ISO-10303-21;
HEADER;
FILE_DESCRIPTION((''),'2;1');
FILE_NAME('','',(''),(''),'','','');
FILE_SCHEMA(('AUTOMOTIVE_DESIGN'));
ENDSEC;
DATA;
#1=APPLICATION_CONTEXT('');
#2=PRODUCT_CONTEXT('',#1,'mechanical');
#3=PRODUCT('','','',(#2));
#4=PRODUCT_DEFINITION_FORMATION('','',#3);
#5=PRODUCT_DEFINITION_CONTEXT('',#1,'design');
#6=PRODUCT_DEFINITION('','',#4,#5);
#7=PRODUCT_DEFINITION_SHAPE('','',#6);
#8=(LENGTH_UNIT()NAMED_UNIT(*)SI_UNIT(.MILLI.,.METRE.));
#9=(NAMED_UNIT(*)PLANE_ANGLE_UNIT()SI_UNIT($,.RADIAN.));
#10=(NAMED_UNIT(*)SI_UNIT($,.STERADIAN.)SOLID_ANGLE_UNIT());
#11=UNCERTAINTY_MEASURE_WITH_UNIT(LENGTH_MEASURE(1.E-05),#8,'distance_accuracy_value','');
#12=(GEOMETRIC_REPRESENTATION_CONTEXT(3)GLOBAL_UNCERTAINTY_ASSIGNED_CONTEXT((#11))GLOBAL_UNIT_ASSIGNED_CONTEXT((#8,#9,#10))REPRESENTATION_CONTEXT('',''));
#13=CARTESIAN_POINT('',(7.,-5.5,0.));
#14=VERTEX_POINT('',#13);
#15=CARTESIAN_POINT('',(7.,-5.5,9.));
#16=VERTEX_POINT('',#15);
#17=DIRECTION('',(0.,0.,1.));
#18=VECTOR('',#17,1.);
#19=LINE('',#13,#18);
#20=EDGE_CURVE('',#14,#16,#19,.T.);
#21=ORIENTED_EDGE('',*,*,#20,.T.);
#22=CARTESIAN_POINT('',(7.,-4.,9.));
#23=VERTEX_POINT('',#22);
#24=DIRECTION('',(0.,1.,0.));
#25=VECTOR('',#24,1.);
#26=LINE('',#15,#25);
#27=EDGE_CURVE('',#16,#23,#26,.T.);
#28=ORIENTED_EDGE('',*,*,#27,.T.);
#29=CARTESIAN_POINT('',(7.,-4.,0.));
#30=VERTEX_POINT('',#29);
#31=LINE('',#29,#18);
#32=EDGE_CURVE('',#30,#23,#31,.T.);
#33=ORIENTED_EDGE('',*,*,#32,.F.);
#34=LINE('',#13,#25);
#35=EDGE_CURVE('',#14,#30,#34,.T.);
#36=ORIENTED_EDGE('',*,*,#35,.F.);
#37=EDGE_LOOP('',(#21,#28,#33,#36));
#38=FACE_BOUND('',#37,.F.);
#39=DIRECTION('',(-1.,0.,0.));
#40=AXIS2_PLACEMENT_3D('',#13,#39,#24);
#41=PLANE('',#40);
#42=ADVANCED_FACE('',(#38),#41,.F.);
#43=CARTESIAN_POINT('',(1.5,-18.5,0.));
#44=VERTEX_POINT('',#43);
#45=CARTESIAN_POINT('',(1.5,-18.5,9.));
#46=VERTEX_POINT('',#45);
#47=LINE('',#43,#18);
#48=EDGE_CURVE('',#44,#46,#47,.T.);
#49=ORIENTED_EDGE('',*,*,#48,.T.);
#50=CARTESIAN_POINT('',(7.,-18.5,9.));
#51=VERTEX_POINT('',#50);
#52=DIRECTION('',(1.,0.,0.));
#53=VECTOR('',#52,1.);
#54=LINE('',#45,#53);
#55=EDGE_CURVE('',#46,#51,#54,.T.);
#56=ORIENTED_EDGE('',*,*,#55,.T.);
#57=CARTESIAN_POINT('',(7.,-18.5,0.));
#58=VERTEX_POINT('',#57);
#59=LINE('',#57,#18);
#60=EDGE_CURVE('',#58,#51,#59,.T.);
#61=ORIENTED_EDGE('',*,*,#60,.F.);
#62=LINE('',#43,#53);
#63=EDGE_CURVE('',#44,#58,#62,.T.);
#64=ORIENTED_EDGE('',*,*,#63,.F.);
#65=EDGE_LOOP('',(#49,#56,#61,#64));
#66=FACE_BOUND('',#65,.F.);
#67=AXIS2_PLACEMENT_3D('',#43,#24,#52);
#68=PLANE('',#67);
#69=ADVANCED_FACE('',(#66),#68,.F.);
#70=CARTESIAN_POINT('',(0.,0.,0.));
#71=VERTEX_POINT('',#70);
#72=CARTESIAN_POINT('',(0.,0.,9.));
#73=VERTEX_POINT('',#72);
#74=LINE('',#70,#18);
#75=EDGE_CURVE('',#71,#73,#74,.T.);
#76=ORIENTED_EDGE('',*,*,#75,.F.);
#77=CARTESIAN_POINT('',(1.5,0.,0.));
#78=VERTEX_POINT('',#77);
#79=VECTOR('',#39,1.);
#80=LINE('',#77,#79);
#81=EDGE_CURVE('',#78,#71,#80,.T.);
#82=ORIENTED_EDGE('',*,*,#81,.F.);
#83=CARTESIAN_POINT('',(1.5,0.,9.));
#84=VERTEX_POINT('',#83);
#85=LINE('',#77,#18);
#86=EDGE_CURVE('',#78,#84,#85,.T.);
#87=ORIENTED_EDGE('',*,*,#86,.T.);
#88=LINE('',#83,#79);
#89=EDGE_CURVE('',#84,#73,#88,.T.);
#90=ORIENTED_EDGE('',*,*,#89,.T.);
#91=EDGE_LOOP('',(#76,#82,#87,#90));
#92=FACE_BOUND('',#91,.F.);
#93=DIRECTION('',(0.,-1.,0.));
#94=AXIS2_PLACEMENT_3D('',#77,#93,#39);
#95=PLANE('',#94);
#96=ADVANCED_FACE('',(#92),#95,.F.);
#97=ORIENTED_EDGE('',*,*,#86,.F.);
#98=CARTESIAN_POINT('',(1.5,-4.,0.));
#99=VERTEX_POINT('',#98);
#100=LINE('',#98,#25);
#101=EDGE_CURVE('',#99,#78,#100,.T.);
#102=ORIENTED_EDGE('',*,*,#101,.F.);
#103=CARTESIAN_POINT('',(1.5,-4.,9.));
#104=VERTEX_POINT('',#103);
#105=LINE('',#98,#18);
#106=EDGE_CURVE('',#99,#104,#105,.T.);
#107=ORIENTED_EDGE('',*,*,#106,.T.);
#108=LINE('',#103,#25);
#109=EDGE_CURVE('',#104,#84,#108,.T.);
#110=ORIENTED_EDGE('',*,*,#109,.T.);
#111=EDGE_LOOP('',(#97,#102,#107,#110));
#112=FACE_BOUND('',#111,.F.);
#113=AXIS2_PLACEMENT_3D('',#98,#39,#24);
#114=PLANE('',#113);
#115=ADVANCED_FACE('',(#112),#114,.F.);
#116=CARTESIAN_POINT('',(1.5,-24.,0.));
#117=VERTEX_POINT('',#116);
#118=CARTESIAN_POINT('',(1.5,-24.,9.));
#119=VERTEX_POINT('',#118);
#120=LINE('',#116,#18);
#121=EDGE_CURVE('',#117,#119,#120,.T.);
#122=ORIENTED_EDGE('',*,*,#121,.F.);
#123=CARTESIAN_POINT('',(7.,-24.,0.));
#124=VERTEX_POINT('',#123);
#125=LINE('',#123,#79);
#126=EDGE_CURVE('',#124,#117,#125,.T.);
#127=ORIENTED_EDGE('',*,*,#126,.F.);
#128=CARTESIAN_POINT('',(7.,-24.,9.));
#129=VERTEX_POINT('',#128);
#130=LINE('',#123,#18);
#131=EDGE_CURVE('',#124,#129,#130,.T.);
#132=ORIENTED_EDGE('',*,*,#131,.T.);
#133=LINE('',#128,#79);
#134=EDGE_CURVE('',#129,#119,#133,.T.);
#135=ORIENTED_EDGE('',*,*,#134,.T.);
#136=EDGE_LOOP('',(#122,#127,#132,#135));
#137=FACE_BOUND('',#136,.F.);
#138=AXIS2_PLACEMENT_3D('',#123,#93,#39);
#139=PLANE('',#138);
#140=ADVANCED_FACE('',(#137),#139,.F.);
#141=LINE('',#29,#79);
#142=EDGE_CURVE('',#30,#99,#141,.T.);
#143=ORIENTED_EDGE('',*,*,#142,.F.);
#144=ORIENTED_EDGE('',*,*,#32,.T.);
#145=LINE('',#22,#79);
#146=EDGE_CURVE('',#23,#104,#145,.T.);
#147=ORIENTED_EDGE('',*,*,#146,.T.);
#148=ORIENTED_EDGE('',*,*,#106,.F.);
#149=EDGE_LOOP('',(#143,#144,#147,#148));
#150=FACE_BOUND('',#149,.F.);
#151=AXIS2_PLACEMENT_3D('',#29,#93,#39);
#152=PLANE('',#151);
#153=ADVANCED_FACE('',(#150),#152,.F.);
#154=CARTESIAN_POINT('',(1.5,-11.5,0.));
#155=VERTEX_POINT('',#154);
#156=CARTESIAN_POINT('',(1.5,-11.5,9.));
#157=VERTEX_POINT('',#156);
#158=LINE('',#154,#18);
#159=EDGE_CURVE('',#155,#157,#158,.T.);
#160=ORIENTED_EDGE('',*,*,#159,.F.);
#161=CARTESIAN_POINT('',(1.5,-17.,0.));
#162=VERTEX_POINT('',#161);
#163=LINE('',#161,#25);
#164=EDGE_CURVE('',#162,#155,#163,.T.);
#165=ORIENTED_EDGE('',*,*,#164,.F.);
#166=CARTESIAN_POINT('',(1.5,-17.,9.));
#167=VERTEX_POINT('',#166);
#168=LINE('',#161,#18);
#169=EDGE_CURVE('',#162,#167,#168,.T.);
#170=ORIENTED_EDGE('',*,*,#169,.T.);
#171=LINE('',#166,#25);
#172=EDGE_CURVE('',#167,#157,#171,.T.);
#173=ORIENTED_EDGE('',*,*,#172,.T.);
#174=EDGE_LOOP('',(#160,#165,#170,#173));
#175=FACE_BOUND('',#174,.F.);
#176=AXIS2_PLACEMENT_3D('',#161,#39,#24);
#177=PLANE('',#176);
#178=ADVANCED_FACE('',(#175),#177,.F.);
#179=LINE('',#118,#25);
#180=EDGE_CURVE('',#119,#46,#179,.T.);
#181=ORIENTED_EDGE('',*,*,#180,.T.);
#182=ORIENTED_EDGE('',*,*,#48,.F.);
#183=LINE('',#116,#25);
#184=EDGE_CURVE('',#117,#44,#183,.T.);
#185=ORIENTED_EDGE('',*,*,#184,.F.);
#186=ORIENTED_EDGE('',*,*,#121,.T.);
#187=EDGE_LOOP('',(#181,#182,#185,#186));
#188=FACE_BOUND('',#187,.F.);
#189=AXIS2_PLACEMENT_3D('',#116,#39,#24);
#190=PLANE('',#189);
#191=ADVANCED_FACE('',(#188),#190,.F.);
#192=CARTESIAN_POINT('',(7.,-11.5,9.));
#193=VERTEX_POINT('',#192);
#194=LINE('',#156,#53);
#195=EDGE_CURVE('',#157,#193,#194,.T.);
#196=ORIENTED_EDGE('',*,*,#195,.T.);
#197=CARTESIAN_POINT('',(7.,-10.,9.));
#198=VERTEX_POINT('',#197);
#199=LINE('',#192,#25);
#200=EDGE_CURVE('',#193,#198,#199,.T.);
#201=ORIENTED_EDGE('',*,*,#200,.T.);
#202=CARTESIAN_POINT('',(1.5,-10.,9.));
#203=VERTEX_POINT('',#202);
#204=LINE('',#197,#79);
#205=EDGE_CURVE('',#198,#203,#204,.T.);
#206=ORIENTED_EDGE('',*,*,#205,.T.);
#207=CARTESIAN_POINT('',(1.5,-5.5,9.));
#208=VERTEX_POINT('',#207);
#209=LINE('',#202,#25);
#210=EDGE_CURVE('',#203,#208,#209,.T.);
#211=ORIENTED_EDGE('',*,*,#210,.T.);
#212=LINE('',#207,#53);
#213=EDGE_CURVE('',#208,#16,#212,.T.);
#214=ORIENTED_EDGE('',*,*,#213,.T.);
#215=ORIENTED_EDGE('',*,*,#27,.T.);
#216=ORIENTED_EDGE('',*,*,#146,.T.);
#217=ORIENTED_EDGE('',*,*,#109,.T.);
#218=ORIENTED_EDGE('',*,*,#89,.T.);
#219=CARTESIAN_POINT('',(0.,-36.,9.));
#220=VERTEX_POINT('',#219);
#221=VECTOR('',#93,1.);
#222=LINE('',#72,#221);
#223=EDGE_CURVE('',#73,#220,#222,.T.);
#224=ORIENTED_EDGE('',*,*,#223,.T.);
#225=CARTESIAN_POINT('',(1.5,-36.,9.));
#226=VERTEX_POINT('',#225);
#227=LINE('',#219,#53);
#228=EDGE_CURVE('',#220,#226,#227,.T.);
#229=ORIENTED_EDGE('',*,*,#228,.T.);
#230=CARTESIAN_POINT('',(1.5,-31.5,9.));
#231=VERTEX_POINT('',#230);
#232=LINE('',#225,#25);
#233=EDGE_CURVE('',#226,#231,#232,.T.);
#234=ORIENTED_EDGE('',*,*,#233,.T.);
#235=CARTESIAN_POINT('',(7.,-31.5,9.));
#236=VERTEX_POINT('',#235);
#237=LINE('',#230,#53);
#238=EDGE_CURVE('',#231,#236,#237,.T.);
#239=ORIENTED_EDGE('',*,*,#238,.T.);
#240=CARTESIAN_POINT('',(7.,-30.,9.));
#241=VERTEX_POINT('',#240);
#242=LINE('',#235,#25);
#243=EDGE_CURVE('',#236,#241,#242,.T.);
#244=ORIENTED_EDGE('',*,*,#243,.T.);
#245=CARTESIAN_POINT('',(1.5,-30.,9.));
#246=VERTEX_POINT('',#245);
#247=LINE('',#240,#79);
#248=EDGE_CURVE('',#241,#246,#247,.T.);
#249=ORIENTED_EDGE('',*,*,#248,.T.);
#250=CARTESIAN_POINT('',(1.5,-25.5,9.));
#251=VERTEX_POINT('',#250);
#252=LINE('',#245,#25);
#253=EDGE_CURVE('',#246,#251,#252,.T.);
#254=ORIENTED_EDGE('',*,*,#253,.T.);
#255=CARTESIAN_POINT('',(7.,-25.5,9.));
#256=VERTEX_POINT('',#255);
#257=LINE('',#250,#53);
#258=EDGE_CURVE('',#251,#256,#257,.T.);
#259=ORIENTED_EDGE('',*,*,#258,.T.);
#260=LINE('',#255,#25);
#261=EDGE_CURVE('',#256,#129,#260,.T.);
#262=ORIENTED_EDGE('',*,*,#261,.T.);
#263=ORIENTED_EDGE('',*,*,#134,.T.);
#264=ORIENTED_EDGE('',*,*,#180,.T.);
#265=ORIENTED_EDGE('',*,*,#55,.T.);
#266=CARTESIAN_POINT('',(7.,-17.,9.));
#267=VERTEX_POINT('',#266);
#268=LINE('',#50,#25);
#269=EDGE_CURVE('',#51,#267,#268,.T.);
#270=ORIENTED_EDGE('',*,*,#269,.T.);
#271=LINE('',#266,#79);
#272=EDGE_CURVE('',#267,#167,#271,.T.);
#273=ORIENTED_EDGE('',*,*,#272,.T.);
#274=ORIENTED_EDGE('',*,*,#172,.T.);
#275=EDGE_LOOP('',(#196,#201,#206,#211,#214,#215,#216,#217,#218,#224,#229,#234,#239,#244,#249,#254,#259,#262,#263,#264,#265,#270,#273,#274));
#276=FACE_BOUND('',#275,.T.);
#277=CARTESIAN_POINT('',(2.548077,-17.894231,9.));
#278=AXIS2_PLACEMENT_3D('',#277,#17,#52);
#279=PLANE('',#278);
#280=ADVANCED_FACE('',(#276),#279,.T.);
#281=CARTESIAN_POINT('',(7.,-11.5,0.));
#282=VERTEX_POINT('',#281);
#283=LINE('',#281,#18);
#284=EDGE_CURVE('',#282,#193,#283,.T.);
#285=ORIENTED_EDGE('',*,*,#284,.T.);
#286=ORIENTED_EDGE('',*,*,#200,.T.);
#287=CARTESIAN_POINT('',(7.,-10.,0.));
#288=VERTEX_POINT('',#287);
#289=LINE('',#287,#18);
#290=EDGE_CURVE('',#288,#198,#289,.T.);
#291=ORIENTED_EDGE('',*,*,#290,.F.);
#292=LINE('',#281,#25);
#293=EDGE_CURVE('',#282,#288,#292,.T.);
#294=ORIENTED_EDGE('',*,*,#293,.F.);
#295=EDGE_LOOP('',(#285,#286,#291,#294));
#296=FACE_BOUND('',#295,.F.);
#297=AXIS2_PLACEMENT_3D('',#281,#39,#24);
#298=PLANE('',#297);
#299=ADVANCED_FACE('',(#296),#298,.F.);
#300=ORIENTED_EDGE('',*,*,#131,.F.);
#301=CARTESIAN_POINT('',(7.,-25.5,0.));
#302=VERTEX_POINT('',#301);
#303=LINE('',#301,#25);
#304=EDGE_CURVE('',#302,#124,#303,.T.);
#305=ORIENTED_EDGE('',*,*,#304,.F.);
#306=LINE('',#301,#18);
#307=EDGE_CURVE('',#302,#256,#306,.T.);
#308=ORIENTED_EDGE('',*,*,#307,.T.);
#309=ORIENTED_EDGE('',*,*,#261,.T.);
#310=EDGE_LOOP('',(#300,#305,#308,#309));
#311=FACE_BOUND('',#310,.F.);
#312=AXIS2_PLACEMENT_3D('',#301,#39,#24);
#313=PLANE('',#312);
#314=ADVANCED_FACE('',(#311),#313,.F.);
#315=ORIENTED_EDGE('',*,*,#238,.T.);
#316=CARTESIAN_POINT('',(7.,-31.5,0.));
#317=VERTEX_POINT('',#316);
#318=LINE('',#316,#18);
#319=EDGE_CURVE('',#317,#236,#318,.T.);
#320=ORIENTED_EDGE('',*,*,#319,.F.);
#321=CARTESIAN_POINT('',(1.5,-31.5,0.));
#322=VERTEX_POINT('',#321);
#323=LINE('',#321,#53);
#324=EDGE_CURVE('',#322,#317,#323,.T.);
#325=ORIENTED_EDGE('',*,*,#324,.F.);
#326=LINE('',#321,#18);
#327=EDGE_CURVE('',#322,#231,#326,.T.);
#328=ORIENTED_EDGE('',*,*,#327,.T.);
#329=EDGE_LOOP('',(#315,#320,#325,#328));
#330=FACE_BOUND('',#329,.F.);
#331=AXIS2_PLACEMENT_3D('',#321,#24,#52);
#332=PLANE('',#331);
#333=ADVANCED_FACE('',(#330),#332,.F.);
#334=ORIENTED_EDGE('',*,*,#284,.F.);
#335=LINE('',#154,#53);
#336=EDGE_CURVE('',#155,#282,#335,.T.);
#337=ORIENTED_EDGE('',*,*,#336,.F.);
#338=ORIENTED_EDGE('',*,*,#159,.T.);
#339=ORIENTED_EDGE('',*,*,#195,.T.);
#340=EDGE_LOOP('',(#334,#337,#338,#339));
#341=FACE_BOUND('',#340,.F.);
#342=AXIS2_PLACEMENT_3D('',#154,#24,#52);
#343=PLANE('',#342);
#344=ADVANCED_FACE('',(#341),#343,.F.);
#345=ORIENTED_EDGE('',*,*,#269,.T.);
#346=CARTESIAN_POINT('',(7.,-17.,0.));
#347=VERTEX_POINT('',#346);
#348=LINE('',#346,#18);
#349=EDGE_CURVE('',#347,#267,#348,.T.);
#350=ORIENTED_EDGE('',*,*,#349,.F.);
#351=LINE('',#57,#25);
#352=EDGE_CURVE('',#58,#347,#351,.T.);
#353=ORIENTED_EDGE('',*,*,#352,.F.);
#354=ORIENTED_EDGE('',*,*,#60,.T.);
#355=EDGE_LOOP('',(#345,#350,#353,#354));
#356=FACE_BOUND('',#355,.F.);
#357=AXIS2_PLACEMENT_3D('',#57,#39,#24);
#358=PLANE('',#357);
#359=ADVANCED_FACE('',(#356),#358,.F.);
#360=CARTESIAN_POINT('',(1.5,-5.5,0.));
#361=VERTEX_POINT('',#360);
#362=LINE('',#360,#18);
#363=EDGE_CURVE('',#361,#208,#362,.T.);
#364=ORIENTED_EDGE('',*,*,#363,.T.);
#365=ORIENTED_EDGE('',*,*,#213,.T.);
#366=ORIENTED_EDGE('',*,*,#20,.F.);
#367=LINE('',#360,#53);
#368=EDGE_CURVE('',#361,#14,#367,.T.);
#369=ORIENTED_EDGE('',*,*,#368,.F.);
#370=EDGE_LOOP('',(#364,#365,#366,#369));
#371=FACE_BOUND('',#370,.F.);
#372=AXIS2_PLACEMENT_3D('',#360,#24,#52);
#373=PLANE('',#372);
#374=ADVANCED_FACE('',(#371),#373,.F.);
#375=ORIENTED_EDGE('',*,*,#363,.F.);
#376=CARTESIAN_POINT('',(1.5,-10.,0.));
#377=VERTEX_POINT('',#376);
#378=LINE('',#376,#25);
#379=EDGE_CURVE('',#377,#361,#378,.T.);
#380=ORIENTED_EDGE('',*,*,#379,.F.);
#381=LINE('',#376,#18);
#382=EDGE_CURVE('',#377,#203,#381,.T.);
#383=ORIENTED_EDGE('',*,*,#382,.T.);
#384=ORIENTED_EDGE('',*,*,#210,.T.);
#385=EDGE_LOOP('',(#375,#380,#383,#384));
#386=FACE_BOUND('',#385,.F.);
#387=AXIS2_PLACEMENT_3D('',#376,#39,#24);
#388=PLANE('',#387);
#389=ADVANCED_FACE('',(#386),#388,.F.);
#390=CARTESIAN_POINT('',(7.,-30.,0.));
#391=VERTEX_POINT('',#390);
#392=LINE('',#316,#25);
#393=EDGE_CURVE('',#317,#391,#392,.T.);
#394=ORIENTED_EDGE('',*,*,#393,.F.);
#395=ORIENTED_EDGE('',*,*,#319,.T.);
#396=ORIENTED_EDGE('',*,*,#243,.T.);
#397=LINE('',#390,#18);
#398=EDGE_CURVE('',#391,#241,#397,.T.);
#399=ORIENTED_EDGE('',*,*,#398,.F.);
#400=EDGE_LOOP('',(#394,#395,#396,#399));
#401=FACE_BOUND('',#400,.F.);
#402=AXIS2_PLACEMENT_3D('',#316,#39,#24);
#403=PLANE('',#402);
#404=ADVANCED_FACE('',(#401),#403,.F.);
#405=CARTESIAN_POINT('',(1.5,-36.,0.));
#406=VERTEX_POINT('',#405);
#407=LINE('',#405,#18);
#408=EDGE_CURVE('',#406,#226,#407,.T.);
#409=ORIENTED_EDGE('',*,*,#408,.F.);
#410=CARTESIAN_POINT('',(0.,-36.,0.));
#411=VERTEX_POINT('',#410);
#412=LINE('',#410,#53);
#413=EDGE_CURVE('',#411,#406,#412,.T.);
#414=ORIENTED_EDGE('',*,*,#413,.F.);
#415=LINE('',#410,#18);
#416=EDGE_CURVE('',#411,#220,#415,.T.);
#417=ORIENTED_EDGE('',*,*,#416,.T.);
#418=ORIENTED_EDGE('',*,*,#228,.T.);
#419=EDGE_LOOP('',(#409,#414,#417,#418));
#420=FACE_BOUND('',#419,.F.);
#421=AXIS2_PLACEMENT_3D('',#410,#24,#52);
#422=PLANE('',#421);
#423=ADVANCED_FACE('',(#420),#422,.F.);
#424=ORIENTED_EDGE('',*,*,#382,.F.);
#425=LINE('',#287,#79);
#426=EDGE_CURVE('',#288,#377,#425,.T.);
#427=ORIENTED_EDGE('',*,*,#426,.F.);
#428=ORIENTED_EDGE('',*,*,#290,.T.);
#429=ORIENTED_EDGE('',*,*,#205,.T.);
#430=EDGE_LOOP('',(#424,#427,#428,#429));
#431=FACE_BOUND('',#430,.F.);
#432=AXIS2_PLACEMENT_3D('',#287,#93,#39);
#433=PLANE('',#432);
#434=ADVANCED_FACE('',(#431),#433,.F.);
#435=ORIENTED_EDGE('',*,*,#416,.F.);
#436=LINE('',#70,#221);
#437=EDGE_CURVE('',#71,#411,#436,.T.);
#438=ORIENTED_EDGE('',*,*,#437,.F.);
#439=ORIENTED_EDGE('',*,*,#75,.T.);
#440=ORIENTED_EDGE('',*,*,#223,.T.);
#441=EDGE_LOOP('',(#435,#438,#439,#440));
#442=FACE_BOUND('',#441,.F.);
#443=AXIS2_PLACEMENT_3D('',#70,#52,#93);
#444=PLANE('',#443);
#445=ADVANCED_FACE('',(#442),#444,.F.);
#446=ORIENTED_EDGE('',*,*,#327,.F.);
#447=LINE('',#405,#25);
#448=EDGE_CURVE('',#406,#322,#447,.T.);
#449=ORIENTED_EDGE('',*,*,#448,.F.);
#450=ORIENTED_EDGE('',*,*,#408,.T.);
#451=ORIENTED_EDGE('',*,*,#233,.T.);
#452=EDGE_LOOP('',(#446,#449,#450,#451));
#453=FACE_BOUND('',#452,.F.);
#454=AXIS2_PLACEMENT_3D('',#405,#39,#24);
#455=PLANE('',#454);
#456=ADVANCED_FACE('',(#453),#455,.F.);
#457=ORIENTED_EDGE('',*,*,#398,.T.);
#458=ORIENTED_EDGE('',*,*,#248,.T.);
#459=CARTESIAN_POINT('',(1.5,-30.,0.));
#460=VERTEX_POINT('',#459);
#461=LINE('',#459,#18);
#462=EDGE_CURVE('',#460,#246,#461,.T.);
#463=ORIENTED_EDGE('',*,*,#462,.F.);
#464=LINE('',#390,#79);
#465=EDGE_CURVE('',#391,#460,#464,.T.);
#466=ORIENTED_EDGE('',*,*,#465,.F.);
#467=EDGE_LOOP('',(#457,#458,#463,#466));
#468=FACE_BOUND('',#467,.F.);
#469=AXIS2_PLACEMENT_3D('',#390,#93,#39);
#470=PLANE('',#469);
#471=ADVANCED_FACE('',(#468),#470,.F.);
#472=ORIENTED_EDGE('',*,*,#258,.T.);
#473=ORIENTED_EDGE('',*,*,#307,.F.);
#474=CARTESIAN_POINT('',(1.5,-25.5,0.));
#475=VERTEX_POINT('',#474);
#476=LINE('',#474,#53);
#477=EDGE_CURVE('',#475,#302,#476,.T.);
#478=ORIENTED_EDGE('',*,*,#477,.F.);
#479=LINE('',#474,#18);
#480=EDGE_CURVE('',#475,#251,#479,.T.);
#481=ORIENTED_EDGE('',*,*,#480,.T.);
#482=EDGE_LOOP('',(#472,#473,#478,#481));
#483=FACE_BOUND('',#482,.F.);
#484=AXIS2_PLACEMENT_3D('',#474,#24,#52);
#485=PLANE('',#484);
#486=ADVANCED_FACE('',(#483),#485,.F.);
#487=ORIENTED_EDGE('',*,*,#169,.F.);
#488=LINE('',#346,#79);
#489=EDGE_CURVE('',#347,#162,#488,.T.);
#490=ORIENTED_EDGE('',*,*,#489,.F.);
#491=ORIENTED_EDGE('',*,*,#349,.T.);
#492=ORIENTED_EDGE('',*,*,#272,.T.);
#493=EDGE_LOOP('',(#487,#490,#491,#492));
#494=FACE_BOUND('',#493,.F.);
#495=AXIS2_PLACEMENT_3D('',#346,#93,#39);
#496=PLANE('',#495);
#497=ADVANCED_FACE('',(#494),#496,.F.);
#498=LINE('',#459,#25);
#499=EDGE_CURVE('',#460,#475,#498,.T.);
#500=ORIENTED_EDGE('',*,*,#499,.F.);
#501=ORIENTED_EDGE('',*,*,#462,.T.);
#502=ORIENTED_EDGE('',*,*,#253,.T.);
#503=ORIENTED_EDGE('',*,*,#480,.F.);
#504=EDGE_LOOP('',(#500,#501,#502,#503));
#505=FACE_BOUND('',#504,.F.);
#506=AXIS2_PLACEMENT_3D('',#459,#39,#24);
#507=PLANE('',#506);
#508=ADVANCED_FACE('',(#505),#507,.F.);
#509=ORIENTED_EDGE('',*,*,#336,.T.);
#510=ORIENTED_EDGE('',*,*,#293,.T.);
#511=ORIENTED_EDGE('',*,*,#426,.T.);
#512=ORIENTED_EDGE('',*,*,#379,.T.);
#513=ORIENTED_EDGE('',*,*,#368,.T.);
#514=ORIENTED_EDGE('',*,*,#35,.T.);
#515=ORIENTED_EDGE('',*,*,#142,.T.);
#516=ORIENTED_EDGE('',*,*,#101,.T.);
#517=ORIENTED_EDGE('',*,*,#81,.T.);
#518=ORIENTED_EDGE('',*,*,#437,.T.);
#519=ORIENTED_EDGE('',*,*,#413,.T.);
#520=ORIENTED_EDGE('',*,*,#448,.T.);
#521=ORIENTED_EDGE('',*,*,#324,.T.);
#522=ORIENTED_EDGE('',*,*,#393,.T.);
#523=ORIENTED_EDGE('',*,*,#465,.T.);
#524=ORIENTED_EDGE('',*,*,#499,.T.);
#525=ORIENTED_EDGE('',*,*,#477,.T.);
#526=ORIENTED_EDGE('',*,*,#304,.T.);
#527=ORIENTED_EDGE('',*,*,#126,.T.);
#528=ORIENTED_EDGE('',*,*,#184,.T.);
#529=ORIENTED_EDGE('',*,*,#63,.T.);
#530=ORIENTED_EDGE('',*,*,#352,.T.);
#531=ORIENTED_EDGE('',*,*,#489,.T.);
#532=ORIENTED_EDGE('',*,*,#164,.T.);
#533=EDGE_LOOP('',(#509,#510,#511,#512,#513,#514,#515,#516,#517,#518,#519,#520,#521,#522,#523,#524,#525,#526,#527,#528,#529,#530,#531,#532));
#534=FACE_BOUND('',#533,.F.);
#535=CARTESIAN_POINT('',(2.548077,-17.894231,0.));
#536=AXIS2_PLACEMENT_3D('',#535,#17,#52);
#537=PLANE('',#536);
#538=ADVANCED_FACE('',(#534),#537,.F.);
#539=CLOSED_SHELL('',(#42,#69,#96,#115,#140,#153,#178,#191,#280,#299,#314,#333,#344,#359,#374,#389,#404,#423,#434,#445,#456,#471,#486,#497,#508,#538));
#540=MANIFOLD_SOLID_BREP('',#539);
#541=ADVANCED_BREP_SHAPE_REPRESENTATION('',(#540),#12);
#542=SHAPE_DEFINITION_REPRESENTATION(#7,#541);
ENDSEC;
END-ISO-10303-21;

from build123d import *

# Parameters (mm, degrees)
F1_DEPTH = 9


with BuildPart() as f1:
    # F0 (on Top) → F1 (new body)
    with BuildSketch(Plane.XY):
        Polygon((1.5, 0), (0, 0), (0, -36), (1.5, -36), (1.5, -31.5), (7, -31.5), (7, -30), (1.5, -30), (1.5, -25.5), (7, -25.5), (7, -24), (1.5, -24), (1.5, -18.5), (7, -18.5), (7, -17), (1.5, -17), (1.5, -11.5), (7, -11.5), (7, -10), (1.5, -10), (1.5, -5.5), (7, -5.5), (7, -4), (1.5, -4), align=None)
    extrude(amount=F1_DEPTH)


solid = f1.part
